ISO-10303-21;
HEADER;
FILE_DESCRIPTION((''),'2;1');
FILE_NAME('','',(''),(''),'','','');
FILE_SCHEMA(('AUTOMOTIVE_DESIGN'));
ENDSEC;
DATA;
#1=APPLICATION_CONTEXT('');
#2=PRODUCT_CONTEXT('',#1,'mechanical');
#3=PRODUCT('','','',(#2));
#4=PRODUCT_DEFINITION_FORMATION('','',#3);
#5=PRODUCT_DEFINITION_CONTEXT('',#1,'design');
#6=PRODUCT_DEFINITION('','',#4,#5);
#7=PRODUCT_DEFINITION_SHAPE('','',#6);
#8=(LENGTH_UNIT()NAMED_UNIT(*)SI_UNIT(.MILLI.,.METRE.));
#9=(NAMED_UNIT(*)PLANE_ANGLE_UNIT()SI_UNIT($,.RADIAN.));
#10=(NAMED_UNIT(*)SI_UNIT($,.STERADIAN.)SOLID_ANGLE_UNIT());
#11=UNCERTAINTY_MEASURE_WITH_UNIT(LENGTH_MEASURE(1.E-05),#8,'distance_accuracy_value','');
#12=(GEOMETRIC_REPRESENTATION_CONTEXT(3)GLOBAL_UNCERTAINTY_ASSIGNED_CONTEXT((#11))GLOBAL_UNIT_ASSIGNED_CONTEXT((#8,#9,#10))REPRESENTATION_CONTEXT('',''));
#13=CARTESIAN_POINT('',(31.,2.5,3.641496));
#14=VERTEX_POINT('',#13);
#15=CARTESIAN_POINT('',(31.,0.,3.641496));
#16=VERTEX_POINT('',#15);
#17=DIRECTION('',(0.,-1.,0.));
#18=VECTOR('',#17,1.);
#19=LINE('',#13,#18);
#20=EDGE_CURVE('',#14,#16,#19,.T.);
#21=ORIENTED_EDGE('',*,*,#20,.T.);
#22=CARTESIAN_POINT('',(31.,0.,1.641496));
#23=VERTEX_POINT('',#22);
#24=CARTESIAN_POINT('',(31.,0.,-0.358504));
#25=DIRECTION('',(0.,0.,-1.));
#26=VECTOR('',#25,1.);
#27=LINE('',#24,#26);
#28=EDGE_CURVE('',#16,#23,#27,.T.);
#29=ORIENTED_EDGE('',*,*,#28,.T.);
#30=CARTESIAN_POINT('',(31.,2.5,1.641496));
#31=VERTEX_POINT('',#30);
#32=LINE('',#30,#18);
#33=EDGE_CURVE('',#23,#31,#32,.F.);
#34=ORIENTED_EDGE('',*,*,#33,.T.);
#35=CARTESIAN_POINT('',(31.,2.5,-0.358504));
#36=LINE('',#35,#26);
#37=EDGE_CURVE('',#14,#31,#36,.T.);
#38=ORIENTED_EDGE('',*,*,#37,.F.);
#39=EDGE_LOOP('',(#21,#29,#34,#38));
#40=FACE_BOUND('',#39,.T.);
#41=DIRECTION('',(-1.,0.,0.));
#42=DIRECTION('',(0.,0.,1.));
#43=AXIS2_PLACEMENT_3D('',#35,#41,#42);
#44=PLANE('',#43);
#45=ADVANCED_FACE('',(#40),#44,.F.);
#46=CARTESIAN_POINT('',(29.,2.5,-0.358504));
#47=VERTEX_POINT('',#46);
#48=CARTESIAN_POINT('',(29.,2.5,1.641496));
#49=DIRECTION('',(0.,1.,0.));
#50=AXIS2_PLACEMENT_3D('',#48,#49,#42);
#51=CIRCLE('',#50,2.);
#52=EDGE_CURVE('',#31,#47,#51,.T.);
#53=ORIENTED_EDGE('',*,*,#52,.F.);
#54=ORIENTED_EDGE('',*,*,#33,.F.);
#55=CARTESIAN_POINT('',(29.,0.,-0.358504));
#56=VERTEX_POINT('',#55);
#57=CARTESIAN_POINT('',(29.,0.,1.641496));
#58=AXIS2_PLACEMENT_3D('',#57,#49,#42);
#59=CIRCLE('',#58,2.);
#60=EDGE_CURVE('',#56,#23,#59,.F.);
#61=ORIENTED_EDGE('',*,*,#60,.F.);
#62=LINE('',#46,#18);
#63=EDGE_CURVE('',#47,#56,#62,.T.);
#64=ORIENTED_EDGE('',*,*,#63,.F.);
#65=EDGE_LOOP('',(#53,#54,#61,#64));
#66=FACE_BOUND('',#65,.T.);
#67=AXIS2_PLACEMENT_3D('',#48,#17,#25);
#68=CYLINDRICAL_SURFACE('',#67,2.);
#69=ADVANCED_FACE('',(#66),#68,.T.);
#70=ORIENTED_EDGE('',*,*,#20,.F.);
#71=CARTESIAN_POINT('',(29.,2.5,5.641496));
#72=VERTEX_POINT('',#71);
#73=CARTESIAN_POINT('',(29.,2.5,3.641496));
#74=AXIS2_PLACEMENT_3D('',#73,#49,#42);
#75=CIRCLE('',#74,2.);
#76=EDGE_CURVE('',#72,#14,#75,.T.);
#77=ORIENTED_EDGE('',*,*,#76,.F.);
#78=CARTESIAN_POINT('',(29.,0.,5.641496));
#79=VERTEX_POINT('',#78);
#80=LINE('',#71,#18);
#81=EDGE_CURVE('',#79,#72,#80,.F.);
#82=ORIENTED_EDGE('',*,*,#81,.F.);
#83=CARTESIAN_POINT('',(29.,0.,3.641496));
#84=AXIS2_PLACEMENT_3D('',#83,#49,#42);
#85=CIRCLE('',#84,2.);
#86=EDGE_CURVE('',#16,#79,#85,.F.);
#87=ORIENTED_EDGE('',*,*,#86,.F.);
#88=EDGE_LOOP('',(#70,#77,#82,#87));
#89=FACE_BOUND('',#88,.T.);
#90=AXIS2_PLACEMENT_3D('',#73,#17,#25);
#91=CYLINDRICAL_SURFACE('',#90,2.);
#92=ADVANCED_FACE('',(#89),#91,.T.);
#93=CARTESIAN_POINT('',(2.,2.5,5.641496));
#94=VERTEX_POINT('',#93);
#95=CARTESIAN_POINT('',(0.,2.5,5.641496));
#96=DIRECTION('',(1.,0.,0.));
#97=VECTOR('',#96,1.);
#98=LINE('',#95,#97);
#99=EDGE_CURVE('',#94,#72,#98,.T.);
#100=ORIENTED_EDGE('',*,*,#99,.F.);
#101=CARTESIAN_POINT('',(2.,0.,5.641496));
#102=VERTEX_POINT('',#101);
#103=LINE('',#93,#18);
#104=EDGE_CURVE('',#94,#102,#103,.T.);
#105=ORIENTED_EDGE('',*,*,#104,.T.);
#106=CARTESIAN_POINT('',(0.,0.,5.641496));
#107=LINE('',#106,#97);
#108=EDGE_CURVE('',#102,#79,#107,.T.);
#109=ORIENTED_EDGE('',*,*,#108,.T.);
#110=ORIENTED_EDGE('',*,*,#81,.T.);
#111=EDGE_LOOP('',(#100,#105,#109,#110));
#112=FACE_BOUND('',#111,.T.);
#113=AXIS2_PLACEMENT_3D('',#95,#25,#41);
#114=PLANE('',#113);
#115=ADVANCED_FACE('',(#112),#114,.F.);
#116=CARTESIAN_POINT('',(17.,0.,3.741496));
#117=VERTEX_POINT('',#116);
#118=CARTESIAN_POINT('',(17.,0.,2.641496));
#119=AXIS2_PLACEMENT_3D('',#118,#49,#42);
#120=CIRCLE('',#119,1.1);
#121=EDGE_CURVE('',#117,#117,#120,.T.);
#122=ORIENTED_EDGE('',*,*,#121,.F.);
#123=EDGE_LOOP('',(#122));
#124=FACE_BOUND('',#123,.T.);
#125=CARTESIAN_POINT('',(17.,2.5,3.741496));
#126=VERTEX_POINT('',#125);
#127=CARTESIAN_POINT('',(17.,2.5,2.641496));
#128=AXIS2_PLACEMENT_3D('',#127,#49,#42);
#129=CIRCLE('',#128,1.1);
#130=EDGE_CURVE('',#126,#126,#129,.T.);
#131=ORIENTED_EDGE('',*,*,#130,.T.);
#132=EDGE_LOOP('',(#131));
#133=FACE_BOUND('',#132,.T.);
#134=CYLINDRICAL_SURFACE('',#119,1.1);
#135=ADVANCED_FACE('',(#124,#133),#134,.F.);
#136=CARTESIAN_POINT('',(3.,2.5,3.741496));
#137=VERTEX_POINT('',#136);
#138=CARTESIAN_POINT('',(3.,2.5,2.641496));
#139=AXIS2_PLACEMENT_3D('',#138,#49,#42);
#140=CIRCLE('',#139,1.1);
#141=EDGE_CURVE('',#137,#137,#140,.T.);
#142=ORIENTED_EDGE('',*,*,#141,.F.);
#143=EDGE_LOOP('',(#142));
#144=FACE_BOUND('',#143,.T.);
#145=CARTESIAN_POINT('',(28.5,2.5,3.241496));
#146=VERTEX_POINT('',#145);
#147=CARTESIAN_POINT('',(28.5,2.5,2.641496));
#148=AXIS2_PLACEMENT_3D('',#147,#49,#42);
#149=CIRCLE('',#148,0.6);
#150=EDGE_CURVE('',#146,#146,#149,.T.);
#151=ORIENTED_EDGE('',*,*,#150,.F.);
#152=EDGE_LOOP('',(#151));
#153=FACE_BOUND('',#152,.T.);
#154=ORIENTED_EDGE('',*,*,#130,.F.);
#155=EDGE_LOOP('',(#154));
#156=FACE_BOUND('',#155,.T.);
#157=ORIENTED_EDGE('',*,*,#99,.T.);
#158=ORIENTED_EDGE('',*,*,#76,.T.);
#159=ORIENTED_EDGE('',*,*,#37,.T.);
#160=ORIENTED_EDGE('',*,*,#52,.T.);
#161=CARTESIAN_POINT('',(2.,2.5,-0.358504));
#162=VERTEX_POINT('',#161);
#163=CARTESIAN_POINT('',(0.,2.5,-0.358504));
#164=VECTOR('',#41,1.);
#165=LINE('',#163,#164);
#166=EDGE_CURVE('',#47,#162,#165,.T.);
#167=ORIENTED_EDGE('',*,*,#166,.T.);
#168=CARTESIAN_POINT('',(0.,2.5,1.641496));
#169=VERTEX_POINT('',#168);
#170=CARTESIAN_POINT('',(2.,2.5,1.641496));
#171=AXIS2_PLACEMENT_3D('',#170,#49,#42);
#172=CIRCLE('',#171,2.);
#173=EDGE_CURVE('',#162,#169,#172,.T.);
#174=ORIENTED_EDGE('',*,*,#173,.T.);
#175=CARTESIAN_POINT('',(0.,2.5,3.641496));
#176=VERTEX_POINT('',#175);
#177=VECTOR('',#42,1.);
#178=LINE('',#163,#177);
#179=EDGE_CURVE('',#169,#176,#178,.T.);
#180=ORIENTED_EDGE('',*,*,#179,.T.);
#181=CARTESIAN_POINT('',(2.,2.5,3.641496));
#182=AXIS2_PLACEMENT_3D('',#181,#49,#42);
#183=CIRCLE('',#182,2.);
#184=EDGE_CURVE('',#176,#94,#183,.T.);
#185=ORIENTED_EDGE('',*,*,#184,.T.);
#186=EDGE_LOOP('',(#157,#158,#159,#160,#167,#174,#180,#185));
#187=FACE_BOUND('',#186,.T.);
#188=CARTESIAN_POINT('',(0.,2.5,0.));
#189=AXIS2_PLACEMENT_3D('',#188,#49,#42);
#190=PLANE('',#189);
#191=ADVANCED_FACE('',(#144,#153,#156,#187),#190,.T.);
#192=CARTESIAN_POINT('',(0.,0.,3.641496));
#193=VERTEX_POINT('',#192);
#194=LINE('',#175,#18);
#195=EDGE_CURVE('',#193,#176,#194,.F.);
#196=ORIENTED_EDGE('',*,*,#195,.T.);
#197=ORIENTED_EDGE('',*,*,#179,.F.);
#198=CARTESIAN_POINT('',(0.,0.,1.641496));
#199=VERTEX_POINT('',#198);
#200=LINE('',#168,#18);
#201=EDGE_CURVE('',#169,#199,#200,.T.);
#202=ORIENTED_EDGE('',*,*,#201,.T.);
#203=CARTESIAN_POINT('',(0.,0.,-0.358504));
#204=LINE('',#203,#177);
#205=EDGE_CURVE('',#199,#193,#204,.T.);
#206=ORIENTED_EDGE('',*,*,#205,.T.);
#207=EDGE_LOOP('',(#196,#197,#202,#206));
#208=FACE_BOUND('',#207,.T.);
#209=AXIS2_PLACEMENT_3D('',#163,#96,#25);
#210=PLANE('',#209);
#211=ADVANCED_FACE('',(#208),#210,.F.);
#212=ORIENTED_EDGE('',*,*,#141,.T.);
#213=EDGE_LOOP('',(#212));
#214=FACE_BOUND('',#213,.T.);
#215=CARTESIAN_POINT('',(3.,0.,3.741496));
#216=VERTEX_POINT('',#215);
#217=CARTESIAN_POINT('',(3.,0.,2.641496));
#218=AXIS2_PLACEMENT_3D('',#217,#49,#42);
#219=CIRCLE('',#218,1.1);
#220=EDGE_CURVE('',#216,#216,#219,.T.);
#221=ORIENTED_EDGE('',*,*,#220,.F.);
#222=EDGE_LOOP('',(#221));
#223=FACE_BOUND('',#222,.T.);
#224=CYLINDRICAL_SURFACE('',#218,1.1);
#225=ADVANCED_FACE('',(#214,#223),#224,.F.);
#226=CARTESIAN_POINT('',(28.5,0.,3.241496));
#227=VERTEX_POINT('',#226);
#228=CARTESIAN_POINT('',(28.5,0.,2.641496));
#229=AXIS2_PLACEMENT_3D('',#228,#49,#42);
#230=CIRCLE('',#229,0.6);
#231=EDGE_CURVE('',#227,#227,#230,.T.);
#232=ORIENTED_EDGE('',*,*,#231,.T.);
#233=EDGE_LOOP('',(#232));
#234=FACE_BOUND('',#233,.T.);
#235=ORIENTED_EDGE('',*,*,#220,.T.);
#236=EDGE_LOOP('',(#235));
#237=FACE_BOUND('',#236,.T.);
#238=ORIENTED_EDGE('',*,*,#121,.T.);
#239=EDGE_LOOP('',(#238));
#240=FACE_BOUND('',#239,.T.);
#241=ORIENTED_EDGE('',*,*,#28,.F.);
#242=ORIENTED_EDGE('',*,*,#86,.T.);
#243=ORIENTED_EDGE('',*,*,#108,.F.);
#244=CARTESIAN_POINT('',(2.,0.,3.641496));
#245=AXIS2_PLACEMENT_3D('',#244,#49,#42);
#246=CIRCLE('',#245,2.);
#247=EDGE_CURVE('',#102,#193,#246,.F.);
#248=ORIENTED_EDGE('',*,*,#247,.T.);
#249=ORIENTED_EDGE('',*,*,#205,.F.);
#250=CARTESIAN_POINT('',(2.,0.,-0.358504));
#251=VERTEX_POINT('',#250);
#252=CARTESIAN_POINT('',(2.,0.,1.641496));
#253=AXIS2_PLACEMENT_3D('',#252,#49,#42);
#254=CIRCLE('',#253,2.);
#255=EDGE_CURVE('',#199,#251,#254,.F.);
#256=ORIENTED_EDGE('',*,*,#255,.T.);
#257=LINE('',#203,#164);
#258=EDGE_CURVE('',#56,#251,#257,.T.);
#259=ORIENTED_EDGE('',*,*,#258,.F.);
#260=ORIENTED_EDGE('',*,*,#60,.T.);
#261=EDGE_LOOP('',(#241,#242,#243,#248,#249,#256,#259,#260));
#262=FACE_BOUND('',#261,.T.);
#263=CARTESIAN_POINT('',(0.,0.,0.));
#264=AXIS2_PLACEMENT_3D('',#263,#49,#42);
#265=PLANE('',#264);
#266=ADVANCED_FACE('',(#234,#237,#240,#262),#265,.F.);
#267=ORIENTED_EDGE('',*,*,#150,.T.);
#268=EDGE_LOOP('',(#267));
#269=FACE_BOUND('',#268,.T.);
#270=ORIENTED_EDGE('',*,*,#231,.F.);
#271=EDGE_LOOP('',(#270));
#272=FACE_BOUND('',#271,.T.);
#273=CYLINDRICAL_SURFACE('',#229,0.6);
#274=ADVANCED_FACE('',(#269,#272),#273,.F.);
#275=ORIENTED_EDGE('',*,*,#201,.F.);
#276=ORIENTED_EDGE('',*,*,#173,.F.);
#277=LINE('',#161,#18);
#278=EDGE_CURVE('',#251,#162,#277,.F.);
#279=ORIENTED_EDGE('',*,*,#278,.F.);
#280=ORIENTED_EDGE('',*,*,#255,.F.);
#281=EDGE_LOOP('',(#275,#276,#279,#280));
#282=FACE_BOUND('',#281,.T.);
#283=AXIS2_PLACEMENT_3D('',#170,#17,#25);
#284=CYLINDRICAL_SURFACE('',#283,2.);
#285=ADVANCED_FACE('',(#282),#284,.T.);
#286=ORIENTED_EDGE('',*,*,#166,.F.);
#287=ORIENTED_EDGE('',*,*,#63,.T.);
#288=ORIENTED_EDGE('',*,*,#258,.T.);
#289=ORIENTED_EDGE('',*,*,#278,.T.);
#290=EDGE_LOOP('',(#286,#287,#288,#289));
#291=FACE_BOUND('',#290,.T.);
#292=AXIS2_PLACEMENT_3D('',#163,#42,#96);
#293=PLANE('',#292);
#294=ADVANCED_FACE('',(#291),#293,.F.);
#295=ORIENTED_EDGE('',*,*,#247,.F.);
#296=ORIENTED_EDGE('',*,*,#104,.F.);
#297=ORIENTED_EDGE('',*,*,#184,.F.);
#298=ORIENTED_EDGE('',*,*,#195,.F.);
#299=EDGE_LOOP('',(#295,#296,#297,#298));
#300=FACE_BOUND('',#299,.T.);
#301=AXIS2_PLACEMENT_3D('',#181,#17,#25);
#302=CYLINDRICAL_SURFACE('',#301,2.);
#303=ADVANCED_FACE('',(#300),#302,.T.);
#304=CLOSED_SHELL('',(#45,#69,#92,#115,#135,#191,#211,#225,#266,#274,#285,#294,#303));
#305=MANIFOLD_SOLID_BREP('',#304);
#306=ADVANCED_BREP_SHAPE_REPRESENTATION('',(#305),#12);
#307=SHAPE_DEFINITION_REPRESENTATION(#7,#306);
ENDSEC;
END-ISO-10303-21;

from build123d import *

# Parameters (mm, degrees)
SKETCH_1_W          = 31
SKETCH_1_H          = 6
EXTRUDE_1_DEPTH     = 2.5
SKETCH_2_R          = 1.1
CUT_EXTRUDE_1_DEPTH = 32.608171111
SKETCH_3_R          = 0.6
CUT_EXTRUDE_2_DEPTH = 32.608171111
FILLET_1_R          = 2


with BuildPart() as part:
    # 草图1 → 凸台-拉伸1 (new body)
    with BuildSketch(Plane(origin=(0, 0, 0), x_dir=(1, 0, 0), z_dir=(0, 1, 0))):
        with Locations((15.5, -2.64149634)):
            Rectangle(SKETCH_1_W, SKETCH_1_H)
    extrude(amount=EXTRUDE_1_DEPTH)

    # 草图2 → 切除-拉伸1 (cut, through all)
    with BuildSketch(Plane(origin=(0, 2.5, 0), x_dir=(1, 0, 0), z_dir=(0, 1, 0))):
        with Locations(Location((3, -2.64149634, 0), (0, 0, 270))):
            Circle(SKETCH_2_R)
        with Locations(Location((17, -2.64149634, 0), (0, 0, 270))):
            Circle(SKETCH_2_R)
    extrude(amount=-CUT_EXTRUDE_1_DEPTH, mode=Mode.SUBTRACT)

    # 草图3 → 切除-拉伸2 (cut, through all)
    with BuildSketch(Plane(origin=(0, 2.5, 0), x_dir=(1, 0, 0), z_dir=(0, 1, 0))):
        with Locations(Location((28.5, -2.64149634, 0), (0, 0, 270))):
            Circle(SKETCH_3_R)
    extrude(amount=-CUT_EXTRUDE_2_DEPTH, mode=Mode.SUBTRACT)

    # 圆角1
    fillet_1_edges = [part.edges().sort_by_distance(p)[0] for p in [
        (0, 1.25, -0.35850366),
        (31, 1.25, -0.35850366),
        (31, 1.25, 5.64149634),
        (0, 1.25, 5.64149634),
    ]]
    fillet(fillet_1_edges, radius=FILLET_1_R)


solid = part.part
